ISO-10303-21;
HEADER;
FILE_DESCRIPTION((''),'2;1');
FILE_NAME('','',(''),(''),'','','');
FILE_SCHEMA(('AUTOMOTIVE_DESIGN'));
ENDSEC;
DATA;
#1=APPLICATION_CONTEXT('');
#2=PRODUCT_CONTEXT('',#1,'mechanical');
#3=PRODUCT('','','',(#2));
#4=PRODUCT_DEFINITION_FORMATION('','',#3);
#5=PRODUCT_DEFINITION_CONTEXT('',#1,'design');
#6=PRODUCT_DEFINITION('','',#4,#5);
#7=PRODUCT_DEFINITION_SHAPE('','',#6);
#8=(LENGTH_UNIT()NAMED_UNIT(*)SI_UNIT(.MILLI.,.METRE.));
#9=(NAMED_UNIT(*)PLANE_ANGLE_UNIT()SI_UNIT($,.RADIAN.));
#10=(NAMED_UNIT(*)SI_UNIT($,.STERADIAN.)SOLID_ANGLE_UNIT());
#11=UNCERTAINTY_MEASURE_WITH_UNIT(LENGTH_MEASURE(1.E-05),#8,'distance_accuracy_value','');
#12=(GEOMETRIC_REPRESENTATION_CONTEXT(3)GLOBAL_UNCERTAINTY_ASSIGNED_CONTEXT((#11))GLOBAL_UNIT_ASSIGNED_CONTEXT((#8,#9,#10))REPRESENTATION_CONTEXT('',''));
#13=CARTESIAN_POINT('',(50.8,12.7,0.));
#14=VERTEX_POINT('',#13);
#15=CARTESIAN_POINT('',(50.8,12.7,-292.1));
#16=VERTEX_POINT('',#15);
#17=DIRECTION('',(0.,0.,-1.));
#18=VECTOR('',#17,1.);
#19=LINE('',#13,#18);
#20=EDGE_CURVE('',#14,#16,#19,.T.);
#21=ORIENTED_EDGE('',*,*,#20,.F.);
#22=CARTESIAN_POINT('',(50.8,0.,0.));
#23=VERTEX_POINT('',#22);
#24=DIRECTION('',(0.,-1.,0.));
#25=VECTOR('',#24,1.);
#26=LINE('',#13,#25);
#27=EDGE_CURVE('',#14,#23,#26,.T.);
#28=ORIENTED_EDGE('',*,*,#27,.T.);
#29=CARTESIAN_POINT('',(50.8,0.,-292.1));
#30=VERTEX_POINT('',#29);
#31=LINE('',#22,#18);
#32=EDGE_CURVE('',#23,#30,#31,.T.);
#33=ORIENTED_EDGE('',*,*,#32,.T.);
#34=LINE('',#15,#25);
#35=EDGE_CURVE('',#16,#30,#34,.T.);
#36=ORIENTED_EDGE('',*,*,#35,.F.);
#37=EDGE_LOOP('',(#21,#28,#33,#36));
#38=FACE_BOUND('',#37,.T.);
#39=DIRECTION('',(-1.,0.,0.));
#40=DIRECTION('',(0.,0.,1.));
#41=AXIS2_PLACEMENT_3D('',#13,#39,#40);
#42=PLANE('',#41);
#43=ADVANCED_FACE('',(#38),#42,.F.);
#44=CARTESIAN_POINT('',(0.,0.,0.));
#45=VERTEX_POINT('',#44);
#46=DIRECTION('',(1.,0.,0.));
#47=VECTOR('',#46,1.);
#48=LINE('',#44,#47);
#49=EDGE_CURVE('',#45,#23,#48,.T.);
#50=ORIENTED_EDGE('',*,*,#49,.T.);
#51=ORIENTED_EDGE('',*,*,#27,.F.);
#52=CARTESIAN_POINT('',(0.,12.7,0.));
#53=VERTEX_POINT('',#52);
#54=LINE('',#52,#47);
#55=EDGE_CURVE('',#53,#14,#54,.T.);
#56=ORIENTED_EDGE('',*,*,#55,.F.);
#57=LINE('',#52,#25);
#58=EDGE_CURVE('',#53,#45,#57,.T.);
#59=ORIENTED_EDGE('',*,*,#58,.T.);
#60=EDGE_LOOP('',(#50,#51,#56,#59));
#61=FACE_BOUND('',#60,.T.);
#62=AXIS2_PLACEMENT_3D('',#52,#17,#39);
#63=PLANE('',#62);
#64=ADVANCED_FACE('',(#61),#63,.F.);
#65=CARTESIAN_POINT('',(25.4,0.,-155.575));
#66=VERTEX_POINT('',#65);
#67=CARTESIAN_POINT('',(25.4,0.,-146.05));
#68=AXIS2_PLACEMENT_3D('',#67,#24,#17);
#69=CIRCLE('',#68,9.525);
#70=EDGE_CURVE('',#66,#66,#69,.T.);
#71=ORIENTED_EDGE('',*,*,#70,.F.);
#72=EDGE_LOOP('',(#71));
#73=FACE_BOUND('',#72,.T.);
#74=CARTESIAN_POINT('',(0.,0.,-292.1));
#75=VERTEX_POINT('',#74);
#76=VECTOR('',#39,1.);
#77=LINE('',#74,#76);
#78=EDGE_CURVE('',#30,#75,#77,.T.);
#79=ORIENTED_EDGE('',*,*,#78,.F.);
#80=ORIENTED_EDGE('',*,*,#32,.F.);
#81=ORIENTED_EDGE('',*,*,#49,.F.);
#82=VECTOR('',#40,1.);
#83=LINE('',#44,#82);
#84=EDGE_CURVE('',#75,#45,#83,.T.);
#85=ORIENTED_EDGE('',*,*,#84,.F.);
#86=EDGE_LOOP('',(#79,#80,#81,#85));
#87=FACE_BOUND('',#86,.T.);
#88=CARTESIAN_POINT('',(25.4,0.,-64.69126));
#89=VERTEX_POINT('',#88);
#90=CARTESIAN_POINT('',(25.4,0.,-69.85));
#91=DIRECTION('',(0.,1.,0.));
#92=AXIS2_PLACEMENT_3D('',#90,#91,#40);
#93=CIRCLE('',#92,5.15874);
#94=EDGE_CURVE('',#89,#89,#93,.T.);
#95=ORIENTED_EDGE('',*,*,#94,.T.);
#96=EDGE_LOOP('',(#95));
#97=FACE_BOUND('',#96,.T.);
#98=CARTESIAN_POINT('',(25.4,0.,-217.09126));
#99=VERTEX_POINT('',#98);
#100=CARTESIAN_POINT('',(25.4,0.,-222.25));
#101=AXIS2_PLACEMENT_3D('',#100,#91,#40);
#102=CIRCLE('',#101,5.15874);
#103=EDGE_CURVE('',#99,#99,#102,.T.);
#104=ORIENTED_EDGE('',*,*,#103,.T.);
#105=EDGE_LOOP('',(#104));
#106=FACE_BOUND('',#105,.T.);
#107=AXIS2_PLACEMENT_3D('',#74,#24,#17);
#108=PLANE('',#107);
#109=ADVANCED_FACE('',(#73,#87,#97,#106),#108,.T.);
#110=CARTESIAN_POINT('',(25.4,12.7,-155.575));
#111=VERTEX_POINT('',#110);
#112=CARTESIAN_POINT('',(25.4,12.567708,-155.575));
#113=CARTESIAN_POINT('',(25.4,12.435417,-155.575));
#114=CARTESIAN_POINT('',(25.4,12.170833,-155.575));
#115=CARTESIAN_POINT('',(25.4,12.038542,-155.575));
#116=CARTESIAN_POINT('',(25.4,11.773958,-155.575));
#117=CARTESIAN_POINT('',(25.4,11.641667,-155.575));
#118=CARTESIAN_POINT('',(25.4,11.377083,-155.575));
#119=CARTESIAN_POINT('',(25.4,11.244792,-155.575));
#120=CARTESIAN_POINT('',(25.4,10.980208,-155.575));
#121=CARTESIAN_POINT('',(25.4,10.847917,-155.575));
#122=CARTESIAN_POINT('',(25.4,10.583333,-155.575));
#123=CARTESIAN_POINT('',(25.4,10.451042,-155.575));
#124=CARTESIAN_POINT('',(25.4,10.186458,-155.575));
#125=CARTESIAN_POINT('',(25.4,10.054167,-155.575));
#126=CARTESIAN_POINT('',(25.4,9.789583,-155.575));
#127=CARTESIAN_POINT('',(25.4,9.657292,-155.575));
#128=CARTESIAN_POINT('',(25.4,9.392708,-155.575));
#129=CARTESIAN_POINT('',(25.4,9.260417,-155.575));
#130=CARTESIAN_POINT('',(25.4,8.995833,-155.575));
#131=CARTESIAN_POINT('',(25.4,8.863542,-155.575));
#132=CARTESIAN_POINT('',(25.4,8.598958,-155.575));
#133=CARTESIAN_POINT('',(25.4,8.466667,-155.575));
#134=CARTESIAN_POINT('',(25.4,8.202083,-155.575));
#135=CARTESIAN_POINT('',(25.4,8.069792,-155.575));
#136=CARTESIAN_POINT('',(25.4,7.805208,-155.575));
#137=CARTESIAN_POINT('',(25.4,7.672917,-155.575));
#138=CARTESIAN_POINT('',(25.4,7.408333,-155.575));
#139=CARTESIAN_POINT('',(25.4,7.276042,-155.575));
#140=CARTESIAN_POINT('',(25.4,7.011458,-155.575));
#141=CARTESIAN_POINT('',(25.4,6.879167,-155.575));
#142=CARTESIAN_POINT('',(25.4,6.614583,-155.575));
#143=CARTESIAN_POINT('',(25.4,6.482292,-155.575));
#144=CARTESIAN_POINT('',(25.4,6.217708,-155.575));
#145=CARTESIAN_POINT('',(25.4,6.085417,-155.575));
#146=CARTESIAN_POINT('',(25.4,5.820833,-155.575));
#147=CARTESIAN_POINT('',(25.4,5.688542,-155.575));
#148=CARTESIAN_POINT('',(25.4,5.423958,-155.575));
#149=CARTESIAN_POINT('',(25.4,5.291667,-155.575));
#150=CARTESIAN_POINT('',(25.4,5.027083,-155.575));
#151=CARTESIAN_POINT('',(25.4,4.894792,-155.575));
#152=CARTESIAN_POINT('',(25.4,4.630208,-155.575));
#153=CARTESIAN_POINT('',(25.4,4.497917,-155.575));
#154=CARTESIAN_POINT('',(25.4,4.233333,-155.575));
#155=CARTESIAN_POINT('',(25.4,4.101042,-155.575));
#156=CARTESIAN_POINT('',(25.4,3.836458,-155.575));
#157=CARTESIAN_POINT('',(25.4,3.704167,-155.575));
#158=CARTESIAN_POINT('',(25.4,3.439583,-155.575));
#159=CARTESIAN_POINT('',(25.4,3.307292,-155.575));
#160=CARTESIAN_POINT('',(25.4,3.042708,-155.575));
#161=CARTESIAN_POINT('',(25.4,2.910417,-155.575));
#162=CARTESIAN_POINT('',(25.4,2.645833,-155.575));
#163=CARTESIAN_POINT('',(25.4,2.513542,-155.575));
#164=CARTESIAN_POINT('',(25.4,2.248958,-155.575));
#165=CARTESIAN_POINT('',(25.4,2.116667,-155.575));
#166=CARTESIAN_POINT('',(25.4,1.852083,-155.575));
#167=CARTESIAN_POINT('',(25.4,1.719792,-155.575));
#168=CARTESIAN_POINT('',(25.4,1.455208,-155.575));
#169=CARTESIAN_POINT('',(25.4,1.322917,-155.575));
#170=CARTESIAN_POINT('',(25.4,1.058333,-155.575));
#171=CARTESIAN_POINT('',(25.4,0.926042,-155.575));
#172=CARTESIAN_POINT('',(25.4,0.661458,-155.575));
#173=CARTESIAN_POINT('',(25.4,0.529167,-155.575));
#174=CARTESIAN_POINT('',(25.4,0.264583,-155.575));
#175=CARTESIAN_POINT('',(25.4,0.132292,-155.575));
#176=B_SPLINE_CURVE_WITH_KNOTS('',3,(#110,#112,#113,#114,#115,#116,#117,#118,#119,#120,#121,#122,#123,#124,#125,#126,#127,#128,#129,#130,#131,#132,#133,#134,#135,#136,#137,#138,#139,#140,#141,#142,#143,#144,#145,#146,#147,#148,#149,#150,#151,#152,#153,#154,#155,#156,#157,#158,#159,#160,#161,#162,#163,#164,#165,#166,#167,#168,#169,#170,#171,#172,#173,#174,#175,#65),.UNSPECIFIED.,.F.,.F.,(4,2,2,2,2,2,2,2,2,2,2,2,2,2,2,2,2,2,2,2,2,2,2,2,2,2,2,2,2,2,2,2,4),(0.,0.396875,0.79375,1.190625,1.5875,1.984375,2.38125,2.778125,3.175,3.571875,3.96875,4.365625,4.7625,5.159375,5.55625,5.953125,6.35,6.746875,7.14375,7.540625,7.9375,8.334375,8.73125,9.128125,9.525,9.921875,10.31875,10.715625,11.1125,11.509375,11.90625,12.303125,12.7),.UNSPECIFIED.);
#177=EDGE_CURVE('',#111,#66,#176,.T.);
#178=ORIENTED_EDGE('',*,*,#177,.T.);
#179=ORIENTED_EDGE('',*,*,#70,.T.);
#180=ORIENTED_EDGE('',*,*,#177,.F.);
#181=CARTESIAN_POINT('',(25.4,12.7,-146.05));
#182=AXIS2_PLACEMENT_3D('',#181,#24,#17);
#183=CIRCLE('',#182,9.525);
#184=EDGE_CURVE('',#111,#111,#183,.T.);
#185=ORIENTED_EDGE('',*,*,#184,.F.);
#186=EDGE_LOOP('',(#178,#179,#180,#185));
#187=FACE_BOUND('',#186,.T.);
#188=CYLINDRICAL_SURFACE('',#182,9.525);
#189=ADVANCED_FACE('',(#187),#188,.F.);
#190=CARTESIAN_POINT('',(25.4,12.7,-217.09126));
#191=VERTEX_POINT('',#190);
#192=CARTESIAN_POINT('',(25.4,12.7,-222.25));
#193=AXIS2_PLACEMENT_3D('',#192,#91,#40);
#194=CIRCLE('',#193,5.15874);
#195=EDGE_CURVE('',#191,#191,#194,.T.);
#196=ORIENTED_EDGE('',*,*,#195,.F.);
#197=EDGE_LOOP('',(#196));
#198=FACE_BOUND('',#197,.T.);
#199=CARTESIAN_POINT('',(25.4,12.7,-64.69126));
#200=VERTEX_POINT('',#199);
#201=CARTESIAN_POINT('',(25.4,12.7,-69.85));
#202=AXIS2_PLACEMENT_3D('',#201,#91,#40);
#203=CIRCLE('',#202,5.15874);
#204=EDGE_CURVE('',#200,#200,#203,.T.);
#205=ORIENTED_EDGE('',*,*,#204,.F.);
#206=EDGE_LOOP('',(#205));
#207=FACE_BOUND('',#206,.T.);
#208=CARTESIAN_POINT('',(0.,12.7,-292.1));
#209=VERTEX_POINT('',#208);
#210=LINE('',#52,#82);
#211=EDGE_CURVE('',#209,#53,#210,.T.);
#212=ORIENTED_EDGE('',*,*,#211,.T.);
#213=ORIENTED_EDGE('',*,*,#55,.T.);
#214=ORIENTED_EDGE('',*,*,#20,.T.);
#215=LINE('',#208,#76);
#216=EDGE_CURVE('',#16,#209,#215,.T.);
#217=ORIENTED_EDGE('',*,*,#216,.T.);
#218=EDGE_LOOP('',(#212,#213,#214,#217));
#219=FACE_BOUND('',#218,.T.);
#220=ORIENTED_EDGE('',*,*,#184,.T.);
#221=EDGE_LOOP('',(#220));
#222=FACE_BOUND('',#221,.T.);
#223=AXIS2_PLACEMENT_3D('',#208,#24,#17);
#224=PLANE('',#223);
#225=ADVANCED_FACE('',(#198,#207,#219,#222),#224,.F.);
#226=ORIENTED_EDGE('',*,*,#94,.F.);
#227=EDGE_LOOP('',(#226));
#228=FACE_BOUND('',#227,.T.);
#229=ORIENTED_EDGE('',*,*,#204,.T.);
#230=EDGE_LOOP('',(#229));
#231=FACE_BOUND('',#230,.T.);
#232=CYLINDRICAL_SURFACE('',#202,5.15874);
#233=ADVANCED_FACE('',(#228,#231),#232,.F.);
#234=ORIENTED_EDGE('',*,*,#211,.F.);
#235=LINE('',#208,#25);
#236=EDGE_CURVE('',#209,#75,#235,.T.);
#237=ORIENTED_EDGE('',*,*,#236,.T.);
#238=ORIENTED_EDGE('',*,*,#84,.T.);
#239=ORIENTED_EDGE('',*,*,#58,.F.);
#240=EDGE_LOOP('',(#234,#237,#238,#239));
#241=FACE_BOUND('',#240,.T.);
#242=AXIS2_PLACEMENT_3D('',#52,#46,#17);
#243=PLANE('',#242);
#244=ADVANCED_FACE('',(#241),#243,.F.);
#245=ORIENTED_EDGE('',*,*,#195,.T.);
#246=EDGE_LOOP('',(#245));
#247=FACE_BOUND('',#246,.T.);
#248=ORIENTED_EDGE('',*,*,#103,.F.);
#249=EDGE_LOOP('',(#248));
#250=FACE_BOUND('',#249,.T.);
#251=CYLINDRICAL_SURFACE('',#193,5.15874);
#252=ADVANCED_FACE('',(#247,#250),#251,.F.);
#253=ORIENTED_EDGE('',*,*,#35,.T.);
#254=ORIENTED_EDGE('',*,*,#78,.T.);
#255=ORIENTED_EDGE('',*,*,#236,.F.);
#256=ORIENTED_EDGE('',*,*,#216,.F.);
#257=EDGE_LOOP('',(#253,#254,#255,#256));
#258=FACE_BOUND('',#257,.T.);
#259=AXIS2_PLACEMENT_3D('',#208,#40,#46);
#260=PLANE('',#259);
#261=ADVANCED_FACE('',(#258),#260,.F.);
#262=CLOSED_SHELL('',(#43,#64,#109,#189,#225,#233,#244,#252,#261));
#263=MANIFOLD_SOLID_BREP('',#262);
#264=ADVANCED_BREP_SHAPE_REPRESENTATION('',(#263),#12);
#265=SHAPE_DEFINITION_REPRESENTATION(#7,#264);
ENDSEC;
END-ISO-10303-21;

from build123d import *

# Parameters (mm, degrees)
SKETCH1_W               = 50.8
SKETCH1_H               = 292.1
EXTRUDE1_DEPTH          = 12.7
F_3_8_CLEARANCE_HOLE1_D = 10.31748
SKETCH4_R               = 9.525
CUT_EXTRUDE1_DEPTH      = 297.756364717


with BuildPart() as part:
    # Sketch1 → Extrude1 (new body)
    with BuildSketch(Plane(origin=(0, 0, 0), x_dir=(1, 0, 0), z_dir=(0, 1, 0))):
        with Locations((25.4, 146.05)):
            Rectangle(SKETCH1_W, SKETCH1_H)
    extrude(amount=EXTRUDE1_DEPTH)

    # 3/8 Clearance Hole1 (through all)
    with Locations(Plane(origin=(0, 12.7, 0), x_dir=(-1, 0, 0), z_dir=(0, 1, 0))):
        with Locations((-25.4, -69.85), (-25.4, -222.25)):
            Hole(F_3_8_CLEARANCE_HOLE1_D / 2)

    # Sketch4 → Cut-Extrude1 (cut, through all)
    with BuildSketch(Plane.XZ):
        with Locations(Location((25.4, -146.05, 0), (0, 0, 270))):
            Circle(SKETCH4_R)
    extrude(amount=-CUT_EXTRUDE1_DEPTH, mode=Mode.SUBTRACT)


solid = part.part
